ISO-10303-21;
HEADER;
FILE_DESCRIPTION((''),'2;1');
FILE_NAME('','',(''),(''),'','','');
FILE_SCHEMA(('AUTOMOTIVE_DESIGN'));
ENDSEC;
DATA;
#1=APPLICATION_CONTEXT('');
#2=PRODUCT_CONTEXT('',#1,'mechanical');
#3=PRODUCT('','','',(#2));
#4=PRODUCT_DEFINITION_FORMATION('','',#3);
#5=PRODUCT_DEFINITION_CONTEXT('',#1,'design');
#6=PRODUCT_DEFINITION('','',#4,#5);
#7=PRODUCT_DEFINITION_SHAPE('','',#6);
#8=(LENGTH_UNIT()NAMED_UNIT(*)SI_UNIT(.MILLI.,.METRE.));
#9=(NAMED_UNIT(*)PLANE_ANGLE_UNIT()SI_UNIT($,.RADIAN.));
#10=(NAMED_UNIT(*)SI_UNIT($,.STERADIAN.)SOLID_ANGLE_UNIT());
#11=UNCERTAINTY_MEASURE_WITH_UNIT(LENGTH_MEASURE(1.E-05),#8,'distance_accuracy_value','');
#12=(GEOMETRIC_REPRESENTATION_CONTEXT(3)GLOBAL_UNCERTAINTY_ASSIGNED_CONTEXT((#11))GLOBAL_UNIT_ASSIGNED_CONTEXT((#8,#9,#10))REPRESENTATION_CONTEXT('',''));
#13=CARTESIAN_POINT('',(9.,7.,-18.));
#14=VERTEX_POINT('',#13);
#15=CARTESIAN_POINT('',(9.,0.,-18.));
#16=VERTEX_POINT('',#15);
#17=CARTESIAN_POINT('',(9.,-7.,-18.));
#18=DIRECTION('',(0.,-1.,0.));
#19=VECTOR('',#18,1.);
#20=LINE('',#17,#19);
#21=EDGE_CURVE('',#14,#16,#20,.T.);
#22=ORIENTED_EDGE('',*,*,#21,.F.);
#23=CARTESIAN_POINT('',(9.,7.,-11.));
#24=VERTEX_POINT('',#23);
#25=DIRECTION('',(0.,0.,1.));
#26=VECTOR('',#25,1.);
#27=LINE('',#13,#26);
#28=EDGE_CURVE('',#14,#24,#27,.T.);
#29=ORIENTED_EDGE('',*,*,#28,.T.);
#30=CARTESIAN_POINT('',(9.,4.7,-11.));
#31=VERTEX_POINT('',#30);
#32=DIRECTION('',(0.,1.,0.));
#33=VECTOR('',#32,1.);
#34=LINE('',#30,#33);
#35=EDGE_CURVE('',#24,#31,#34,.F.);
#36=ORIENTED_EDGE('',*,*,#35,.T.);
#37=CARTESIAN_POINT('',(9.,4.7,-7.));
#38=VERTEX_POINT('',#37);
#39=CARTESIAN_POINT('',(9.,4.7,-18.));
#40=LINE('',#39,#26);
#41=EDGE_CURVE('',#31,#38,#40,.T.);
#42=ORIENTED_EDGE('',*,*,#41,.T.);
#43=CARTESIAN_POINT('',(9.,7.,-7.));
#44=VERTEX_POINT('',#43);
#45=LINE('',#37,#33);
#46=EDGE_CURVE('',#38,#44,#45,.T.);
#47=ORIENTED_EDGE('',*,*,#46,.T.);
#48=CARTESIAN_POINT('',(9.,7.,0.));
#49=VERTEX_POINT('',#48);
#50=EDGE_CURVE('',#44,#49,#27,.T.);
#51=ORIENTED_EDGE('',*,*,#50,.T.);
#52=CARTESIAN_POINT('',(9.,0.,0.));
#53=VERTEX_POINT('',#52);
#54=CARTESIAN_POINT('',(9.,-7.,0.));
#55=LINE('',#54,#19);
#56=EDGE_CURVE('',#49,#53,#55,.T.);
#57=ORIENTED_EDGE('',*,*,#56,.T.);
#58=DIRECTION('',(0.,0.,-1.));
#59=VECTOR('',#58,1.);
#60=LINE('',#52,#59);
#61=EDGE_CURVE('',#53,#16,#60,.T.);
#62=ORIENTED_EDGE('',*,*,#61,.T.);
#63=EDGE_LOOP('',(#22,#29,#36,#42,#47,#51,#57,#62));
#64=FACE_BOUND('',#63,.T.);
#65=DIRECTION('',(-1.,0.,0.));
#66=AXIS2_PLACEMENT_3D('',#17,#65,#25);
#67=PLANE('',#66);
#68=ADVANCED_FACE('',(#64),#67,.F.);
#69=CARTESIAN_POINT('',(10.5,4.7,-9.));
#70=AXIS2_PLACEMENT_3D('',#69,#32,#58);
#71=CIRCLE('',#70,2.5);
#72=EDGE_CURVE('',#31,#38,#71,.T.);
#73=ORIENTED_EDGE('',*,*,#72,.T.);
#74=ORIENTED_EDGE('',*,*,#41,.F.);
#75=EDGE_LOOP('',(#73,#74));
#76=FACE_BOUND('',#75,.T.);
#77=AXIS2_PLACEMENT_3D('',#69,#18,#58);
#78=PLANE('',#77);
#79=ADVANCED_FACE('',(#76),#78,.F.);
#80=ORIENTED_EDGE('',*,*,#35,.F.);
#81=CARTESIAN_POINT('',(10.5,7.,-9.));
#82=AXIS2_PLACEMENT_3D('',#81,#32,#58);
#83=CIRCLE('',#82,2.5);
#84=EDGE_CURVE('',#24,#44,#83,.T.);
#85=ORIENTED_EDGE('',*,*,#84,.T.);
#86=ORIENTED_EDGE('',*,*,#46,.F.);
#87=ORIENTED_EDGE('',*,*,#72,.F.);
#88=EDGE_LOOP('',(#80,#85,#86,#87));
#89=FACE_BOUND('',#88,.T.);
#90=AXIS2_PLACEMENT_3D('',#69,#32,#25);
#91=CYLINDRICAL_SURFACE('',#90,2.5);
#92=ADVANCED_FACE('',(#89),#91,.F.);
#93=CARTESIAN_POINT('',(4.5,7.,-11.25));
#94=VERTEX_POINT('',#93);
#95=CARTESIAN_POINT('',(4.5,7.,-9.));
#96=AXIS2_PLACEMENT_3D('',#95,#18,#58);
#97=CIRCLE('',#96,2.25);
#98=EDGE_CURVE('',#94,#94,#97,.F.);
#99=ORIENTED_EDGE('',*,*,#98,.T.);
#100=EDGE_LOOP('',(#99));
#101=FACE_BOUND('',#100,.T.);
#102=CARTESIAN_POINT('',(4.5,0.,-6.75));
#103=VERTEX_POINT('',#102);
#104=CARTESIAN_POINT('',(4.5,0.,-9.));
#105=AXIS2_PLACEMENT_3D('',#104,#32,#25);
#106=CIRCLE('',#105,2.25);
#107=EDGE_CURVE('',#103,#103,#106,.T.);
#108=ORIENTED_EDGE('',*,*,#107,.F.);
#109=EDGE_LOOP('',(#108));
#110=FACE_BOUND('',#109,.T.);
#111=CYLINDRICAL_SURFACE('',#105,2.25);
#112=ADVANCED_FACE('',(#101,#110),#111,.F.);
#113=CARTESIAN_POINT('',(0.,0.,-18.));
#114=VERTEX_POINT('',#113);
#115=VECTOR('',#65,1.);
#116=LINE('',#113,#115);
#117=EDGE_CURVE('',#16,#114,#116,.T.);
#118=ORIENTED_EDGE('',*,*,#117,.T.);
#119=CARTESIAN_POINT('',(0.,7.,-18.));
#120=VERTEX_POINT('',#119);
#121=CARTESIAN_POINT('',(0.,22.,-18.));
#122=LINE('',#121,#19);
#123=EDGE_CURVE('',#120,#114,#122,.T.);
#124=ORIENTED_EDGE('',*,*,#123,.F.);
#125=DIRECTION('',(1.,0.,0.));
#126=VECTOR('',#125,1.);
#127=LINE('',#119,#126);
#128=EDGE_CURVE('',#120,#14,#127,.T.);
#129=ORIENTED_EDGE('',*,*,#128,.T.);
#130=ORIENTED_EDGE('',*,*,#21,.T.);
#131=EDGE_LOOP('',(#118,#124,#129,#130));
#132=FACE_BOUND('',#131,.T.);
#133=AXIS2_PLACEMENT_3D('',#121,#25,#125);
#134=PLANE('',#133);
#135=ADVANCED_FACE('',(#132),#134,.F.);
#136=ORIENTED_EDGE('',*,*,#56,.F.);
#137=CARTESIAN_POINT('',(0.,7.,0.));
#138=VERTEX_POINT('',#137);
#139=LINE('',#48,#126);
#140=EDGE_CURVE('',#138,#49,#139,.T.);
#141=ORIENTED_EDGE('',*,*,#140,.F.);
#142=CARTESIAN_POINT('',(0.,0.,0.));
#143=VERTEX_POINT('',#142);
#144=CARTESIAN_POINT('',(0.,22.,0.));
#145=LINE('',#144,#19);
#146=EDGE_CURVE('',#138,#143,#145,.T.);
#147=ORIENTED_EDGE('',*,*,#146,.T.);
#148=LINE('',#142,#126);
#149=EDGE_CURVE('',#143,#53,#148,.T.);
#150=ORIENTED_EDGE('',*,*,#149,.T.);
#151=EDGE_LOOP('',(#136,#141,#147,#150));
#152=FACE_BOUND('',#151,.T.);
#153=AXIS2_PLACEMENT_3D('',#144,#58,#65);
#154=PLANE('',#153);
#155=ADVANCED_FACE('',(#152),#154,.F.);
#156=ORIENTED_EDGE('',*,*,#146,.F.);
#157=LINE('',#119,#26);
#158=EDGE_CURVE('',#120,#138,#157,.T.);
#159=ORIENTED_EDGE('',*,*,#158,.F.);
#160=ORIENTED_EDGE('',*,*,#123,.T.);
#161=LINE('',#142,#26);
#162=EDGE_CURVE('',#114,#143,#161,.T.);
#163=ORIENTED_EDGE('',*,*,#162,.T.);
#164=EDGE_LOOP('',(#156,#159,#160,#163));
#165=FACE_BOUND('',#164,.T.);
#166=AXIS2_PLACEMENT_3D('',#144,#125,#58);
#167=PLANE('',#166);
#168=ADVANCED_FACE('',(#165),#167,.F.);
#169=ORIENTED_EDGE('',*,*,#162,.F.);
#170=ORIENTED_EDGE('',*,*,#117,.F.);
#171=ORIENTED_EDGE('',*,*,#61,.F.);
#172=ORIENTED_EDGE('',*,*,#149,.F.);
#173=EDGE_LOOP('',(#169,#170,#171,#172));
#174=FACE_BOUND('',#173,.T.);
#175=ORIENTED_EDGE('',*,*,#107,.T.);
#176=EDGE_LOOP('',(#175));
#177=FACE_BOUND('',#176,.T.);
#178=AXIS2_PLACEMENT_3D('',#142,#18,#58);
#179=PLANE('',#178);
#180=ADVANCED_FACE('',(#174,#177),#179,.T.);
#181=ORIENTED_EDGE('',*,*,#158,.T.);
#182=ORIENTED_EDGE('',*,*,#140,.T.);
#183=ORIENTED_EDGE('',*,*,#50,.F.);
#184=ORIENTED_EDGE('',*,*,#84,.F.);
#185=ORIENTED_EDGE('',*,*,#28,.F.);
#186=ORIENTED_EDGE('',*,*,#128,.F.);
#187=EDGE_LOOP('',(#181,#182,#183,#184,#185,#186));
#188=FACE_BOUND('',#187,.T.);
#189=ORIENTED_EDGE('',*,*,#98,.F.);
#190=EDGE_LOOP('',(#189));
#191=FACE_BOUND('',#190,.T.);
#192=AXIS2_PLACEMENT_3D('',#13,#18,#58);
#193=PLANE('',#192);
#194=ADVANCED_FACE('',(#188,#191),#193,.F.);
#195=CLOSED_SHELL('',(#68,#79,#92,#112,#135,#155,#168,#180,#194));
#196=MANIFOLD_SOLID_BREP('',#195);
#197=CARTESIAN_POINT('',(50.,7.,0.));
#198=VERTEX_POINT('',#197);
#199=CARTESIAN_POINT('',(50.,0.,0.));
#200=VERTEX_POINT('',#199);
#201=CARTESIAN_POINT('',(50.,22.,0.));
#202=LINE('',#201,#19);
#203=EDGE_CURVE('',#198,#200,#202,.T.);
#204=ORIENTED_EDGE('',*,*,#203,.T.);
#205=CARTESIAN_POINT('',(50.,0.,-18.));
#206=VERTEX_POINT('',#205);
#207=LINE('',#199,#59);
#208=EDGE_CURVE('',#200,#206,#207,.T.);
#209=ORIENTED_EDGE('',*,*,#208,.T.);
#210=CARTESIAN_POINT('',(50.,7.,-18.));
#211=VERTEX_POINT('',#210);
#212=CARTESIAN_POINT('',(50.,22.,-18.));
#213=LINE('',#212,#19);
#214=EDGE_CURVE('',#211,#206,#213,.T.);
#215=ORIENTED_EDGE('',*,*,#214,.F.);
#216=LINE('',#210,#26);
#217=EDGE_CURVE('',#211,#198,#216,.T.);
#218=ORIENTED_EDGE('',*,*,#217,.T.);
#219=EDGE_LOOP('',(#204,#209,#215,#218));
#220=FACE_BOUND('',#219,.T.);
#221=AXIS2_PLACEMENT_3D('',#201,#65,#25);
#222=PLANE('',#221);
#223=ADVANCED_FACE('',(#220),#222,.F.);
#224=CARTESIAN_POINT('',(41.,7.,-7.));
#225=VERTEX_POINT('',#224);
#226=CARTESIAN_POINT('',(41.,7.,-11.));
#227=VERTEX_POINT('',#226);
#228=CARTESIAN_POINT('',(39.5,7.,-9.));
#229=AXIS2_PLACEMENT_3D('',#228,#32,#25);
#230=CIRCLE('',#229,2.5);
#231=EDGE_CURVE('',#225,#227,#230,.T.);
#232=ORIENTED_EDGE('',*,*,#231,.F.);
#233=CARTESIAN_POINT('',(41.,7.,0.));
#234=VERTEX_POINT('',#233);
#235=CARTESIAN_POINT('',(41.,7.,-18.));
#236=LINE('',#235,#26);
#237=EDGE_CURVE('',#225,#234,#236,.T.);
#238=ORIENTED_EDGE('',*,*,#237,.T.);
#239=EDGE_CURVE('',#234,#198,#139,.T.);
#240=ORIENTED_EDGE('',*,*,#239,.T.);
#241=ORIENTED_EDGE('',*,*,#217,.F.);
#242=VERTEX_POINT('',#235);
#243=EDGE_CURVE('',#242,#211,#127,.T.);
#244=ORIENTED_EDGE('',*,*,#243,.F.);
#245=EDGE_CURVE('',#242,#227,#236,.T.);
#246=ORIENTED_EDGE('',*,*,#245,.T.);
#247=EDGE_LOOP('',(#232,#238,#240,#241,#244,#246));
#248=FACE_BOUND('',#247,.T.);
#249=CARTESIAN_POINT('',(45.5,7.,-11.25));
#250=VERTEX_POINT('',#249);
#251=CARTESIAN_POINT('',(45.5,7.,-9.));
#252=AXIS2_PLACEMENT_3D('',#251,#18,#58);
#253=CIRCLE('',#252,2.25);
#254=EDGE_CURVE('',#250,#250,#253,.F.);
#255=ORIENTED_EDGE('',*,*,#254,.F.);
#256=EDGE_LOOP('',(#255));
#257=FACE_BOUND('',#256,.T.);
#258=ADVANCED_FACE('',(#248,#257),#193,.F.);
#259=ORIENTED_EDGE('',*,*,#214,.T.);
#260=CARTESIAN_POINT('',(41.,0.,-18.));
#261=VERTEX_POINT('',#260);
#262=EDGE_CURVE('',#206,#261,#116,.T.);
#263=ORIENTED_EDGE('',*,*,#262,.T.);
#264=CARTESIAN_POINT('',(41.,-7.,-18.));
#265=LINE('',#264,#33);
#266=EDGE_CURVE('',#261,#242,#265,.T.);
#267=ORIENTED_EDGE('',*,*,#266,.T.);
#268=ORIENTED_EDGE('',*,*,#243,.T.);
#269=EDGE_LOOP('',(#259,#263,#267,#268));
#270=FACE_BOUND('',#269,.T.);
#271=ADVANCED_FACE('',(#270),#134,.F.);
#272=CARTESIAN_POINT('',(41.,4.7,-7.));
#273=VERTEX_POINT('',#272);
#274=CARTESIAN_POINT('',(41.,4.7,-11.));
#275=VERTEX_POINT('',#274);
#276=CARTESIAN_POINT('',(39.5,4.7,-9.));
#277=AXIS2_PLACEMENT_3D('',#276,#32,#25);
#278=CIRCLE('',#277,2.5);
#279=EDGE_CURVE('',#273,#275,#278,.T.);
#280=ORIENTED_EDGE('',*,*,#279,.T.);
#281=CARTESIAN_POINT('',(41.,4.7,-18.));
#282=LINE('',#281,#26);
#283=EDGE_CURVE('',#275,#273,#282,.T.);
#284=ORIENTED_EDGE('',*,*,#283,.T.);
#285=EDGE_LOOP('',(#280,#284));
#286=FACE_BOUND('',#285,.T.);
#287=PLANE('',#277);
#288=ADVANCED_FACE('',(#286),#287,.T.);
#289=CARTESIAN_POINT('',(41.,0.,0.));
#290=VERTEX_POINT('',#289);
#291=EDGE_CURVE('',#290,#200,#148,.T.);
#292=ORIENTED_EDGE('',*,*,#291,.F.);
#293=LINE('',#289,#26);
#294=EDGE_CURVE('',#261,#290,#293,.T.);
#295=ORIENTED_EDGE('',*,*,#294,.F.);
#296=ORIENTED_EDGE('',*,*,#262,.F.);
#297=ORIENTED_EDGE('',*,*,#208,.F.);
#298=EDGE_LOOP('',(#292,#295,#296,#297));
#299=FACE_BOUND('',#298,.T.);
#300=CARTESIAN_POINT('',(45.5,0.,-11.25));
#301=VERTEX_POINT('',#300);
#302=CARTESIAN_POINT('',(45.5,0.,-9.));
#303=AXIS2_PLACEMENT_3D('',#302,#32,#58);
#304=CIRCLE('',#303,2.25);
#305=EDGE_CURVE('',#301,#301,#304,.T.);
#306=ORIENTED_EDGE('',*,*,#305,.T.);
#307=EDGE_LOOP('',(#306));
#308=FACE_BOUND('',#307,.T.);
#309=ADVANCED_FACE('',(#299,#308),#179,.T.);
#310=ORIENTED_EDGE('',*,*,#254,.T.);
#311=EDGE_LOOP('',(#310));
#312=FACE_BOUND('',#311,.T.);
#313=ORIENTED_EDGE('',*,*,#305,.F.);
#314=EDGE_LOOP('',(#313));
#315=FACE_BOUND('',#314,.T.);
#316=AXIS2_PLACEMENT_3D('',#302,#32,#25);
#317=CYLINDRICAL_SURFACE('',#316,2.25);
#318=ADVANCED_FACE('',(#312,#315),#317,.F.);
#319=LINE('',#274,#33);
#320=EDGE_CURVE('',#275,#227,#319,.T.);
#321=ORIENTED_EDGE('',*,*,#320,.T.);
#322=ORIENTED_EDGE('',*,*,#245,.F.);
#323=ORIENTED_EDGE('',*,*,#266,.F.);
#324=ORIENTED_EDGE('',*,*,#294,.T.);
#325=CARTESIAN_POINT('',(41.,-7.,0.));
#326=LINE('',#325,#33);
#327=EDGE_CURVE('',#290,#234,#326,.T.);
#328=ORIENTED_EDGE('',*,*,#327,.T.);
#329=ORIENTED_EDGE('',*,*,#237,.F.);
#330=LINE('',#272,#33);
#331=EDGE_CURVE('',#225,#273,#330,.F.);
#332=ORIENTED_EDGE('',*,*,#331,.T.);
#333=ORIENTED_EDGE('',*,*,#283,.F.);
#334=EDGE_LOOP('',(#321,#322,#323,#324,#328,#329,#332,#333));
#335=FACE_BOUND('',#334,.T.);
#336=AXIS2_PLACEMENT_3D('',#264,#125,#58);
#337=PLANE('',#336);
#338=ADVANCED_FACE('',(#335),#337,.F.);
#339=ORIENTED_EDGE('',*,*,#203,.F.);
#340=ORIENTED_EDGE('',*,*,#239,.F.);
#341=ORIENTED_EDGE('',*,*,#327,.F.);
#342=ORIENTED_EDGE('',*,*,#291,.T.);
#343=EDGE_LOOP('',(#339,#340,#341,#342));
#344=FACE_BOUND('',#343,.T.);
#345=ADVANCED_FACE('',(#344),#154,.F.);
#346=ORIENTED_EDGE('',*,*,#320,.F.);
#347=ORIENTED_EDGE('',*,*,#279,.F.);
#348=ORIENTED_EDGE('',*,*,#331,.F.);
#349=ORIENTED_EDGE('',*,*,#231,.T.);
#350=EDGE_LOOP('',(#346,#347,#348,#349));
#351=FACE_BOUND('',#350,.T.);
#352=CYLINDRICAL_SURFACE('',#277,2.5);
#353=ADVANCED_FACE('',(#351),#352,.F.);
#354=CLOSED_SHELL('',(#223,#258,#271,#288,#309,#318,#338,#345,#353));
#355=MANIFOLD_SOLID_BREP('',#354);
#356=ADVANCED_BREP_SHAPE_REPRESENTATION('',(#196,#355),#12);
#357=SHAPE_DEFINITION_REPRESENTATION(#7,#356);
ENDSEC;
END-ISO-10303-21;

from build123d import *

# Parameters (mm, degrees)
SKETCH1_W           = 50
SKETCH1_H           = 18
BOSS_EXTRUDE2_DEPTH = 22
SKETCH4_W           = 32
SKETCH4_H           = 14
CUT_EXTRUDE1_DEPTH  = 58.515215378
SKETCH5_W           = 23
SKETCH5_H           = 18
CUT_EXTRUDE3_DEPTH  = 13
SKETCH7_W           = 50
SKETCH7_H           = 8.235017036
CUT_EXTRUDE4_DEPTH  = 58.515215378
SKETCH9_R           = 1
CUT_EXTRUDE6_DEPTH  = 54.600373133
SKETCH10_R          = 2.25
CUT_EXTRUDE7_DEPTH  = 55.895125066
CUT_EXTRUDE8_DEPTH  = 55.895125066
SKETCH14_R          = 2.5
CUT_EXTRUDE10_DEPTH = 2.3


with BuildPart() as part:
    # Sketch1 → Boss-Extrude2 (new body)
    with BuildSketch(Plane(origin=(0, 0, 0), x_dir=(1, 0, 0), z_dir=(0, 1, 0))):
        with Locations((25, 9)):
            Rectangle(SKETCH1_W, SKETCH1_H)
    extrude(amount=BOSS_EXTRUDE2_DEPTH)

    # Sketch4 → Cut-Extrude1 (cut, through all)
    with BuildSketch(Plane.XY):
        with Locations((25, 0)):
            Rectangle(SKETCH4_W, SKETCH4_H)
    extrude(amount=-CUT_EXTRUDE1_DEPTH, mode=Mode.SUBTRACT)

    # Sketch5 → Cut-Extrude3 (cut)
    with BuildSketch(Plane(origin=(0, 0, -18), x_dir=(-1, 0, 0), z_dir=(0, 0, -1))):
        with Locations((-25, 7)):
            Rectangle(SKETCH5_W, SKETCH5_H)
    extrude(amount=-CUT_EXTRUDE3_DEPTH, mode=Mode.SUBTRACT)

    # Sketch7 → Cut-Extrude4 (cut, through all)
    with BuildSketch(Plane(origin=(0, 0, -18), x_dir=(-1, 0, 0), z_dir=(0, 0, -1))):
        with Locations((-25, 17.882491482)):
            Rectangle(SKETCH7_W, SKETCH7_H)
    extrude(amount=-CUT_EXTRUDE4_DEPTH, mode=Mode.SUBTRACT)

    # Sketch9 → Cut-Extrude6 (cut, through all)
    with BuildSketch(Plane.XZ.offset(-7)):
        with Locations(Location((12, -11.5, 0), (0, 0, 270))):
            Circle(SKETCH9_R)
        with Locations(Location((38, -11.5, 0), (0, 0, 90))):
            Circle(SKETCH9_R)
    extrude(amount=-CUT_EXTRUDE6_DEPTH, mode=Mode.SUBTRACT)

    # Sketch10 → Cut-Extrude7 (cut, through all)
    with BuildSketch(Plane(origin=(0, 13.764982964, 0), x_dir=(1, 0, 0), z_dir=(0, 1, 0))):
        with Locations(Location((4.5, 9, 0), (0, 0, 270))):
            Circle(SKETCH10_R)
        with Locations(Location((45.5, 9, 0), (0, 0, 90))):
            Circle(SKETCH10_R)
    extrude(amount=-CUT_EXTRUDE7_DEPTH, mode=Mode.SUBTRACT)

    # Sketch11 → Cut-Extrude8 (cut, through all)
    with BuildSketch(Plane.XY):
        Polygon((9, 7), (50, 7), (50, 13.764982964), (0, 13.764982964), (0, 7), align=None)
    extrude(amount=-CUT_EXTRUDE8_DEPTH, mode=Mode.SUBTRACT)


with BuildPart() as cut_extrude8_piece_1:
    # of the separate pieces the step leaves, piece 1, a body of its own (cut_extrude8_pieces)
    add(part.part.solids().sort_by_distance((41, 0, 0))[0])


with BuildPart() as cut_extrude8_piece_2:
    # of the separate pieces the step leaves, piece 2, a body of its own (cut_extrude8_pieces)
    add(part.part.solids().sort_by_distance((0, 0, 0))[0])


with BuildPart() as cut_extrude10_tool:
    # Sketch14 → Cut-Extrude10 (new body)
    with BuildSketch(Plane(origin=(0, 7, 0), x_dir=(1, 0, 0), z_dir=(0, 1, 0))):
        with Locations((39.5, 9)):
            Circle(SKETCH14_R)
        with Locations((10.5, 9)):
            Circle(SKETCH14_R)
    extrude(amount=-CUT_EXTRUDE10_DEPTH)


with BuildPart() as cut_extrude8_piece_1_1:
    add(cut_extrude8_piece_1.part)

    # Cut-Extrude10: cut by cut_extrude10_tool
    add(cut_extrude10_tool.part, mode=Mode.SUBTRACT)


with BuildPart() as cut_extrude8_piece_2_1:
    add(cut_extrude8_piece_2.part)

    # Cut-Extrude10: cut by cut_extrude10_tool
    add(cut_extrude10_tool.part, mode=Mode.SUBTRACT)


solid = Compound([cut_extrude8_piece_1_1.part, cut_extrude8_piece_2_1.part])
